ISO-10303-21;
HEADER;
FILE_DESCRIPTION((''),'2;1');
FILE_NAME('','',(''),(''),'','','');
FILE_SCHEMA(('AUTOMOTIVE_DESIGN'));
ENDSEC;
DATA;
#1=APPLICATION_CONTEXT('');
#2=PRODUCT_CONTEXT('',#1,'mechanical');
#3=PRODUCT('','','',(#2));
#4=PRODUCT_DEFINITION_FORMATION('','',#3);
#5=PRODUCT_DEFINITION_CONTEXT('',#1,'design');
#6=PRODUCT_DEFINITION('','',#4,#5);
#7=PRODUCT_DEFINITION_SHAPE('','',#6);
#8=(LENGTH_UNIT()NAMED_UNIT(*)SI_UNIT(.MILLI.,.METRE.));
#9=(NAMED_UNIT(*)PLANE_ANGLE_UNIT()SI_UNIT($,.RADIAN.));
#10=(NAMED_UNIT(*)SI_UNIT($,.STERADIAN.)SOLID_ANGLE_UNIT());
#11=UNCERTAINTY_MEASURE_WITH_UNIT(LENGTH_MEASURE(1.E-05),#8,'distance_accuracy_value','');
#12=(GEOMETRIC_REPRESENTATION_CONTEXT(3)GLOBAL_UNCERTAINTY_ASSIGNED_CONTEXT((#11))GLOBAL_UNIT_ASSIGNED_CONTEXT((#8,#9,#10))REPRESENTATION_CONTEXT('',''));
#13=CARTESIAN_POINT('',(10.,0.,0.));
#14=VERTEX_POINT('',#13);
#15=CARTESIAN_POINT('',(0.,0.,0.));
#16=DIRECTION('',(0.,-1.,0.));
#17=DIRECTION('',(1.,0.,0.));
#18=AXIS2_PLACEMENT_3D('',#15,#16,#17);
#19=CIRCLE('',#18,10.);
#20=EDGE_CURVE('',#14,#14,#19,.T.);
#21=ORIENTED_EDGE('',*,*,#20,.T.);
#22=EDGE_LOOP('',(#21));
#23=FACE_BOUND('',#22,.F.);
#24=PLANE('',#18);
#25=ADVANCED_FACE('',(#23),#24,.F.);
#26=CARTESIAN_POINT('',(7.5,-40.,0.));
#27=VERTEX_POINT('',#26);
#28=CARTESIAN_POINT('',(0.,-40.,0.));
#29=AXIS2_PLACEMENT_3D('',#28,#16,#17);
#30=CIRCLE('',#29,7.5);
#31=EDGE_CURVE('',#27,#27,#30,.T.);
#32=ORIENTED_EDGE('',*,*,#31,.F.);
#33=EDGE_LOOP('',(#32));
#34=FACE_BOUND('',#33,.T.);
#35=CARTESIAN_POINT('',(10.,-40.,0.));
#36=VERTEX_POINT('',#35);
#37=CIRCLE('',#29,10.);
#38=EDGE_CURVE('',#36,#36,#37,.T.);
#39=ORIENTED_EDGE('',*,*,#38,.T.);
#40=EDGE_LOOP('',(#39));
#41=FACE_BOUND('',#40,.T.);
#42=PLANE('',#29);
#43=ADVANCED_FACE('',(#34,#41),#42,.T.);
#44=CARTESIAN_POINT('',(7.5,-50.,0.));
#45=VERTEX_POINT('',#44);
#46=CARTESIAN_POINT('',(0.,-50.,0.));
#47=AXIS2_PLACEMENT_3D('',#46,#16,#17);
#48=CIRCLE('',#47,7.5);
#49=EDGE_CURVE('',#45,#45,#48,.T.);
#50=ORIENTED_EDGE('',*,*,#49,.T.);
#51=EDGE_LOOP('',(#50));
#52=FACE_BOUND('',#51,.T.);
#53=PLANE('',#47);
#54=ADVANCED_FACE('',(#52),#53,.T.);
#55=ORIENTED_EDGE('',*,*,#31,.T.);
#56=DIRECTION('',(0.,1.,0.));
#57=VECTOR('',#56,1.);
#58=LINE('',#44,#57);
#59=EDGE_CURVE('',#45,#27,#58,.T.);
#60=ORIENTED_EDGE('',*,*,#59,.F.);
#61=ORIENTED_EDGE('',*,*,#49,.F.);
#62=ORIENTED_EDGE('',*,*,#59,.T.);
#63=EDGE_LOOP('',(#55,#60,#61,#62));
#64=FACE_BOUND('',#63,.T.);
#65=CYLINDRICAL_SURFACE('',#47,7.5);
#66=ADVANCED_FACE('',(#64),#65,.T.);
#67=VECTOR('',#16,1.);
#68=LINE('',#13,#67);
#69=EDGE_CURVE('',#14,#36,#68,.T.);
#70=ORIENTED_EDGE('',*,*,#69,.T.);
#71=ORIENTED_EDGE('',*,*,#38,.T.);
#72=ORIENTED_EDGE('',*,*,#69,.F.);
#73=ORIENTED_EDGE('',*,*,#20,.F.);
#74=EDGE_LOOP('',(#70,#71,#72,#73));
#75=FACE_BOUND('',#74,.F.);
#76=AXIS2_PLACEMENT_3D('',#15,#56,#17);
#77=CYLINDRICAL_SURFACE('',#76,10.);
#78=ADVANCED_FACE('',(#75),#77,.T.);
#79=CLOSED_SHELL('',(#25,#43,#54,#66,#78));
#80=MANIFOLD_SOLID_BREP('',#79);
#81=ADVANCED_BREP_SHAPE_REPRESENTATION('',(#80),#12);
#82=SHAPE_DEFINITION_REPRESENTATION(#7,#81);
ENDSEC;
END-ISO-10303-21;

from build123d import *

# Parameters (mm, degrees)
F0_R     = 10
F1_DEPTH = 50
F2_R     = 10
F2_R_2   = 7.5
F3_DEPTH = 10


with BuildPart() as f1:
    # F0 (on Front) → F1 (new body)
    with BuildSketch(Plane.XZ):
        Circle(F0_R)
    extrude(amount=F1_DEPTH)

    # F2 (on face) → F3 (cut)
    with BuildSketch(Plane.XZ.offset(50)):
        Circle(F2_R)
        Circle(F2_R_2, mode=Mode.SUBTRACT)
    extrude(amount=-F3_DEPTH, mode=Mode.SUBTRACT)


solid = f1.part
